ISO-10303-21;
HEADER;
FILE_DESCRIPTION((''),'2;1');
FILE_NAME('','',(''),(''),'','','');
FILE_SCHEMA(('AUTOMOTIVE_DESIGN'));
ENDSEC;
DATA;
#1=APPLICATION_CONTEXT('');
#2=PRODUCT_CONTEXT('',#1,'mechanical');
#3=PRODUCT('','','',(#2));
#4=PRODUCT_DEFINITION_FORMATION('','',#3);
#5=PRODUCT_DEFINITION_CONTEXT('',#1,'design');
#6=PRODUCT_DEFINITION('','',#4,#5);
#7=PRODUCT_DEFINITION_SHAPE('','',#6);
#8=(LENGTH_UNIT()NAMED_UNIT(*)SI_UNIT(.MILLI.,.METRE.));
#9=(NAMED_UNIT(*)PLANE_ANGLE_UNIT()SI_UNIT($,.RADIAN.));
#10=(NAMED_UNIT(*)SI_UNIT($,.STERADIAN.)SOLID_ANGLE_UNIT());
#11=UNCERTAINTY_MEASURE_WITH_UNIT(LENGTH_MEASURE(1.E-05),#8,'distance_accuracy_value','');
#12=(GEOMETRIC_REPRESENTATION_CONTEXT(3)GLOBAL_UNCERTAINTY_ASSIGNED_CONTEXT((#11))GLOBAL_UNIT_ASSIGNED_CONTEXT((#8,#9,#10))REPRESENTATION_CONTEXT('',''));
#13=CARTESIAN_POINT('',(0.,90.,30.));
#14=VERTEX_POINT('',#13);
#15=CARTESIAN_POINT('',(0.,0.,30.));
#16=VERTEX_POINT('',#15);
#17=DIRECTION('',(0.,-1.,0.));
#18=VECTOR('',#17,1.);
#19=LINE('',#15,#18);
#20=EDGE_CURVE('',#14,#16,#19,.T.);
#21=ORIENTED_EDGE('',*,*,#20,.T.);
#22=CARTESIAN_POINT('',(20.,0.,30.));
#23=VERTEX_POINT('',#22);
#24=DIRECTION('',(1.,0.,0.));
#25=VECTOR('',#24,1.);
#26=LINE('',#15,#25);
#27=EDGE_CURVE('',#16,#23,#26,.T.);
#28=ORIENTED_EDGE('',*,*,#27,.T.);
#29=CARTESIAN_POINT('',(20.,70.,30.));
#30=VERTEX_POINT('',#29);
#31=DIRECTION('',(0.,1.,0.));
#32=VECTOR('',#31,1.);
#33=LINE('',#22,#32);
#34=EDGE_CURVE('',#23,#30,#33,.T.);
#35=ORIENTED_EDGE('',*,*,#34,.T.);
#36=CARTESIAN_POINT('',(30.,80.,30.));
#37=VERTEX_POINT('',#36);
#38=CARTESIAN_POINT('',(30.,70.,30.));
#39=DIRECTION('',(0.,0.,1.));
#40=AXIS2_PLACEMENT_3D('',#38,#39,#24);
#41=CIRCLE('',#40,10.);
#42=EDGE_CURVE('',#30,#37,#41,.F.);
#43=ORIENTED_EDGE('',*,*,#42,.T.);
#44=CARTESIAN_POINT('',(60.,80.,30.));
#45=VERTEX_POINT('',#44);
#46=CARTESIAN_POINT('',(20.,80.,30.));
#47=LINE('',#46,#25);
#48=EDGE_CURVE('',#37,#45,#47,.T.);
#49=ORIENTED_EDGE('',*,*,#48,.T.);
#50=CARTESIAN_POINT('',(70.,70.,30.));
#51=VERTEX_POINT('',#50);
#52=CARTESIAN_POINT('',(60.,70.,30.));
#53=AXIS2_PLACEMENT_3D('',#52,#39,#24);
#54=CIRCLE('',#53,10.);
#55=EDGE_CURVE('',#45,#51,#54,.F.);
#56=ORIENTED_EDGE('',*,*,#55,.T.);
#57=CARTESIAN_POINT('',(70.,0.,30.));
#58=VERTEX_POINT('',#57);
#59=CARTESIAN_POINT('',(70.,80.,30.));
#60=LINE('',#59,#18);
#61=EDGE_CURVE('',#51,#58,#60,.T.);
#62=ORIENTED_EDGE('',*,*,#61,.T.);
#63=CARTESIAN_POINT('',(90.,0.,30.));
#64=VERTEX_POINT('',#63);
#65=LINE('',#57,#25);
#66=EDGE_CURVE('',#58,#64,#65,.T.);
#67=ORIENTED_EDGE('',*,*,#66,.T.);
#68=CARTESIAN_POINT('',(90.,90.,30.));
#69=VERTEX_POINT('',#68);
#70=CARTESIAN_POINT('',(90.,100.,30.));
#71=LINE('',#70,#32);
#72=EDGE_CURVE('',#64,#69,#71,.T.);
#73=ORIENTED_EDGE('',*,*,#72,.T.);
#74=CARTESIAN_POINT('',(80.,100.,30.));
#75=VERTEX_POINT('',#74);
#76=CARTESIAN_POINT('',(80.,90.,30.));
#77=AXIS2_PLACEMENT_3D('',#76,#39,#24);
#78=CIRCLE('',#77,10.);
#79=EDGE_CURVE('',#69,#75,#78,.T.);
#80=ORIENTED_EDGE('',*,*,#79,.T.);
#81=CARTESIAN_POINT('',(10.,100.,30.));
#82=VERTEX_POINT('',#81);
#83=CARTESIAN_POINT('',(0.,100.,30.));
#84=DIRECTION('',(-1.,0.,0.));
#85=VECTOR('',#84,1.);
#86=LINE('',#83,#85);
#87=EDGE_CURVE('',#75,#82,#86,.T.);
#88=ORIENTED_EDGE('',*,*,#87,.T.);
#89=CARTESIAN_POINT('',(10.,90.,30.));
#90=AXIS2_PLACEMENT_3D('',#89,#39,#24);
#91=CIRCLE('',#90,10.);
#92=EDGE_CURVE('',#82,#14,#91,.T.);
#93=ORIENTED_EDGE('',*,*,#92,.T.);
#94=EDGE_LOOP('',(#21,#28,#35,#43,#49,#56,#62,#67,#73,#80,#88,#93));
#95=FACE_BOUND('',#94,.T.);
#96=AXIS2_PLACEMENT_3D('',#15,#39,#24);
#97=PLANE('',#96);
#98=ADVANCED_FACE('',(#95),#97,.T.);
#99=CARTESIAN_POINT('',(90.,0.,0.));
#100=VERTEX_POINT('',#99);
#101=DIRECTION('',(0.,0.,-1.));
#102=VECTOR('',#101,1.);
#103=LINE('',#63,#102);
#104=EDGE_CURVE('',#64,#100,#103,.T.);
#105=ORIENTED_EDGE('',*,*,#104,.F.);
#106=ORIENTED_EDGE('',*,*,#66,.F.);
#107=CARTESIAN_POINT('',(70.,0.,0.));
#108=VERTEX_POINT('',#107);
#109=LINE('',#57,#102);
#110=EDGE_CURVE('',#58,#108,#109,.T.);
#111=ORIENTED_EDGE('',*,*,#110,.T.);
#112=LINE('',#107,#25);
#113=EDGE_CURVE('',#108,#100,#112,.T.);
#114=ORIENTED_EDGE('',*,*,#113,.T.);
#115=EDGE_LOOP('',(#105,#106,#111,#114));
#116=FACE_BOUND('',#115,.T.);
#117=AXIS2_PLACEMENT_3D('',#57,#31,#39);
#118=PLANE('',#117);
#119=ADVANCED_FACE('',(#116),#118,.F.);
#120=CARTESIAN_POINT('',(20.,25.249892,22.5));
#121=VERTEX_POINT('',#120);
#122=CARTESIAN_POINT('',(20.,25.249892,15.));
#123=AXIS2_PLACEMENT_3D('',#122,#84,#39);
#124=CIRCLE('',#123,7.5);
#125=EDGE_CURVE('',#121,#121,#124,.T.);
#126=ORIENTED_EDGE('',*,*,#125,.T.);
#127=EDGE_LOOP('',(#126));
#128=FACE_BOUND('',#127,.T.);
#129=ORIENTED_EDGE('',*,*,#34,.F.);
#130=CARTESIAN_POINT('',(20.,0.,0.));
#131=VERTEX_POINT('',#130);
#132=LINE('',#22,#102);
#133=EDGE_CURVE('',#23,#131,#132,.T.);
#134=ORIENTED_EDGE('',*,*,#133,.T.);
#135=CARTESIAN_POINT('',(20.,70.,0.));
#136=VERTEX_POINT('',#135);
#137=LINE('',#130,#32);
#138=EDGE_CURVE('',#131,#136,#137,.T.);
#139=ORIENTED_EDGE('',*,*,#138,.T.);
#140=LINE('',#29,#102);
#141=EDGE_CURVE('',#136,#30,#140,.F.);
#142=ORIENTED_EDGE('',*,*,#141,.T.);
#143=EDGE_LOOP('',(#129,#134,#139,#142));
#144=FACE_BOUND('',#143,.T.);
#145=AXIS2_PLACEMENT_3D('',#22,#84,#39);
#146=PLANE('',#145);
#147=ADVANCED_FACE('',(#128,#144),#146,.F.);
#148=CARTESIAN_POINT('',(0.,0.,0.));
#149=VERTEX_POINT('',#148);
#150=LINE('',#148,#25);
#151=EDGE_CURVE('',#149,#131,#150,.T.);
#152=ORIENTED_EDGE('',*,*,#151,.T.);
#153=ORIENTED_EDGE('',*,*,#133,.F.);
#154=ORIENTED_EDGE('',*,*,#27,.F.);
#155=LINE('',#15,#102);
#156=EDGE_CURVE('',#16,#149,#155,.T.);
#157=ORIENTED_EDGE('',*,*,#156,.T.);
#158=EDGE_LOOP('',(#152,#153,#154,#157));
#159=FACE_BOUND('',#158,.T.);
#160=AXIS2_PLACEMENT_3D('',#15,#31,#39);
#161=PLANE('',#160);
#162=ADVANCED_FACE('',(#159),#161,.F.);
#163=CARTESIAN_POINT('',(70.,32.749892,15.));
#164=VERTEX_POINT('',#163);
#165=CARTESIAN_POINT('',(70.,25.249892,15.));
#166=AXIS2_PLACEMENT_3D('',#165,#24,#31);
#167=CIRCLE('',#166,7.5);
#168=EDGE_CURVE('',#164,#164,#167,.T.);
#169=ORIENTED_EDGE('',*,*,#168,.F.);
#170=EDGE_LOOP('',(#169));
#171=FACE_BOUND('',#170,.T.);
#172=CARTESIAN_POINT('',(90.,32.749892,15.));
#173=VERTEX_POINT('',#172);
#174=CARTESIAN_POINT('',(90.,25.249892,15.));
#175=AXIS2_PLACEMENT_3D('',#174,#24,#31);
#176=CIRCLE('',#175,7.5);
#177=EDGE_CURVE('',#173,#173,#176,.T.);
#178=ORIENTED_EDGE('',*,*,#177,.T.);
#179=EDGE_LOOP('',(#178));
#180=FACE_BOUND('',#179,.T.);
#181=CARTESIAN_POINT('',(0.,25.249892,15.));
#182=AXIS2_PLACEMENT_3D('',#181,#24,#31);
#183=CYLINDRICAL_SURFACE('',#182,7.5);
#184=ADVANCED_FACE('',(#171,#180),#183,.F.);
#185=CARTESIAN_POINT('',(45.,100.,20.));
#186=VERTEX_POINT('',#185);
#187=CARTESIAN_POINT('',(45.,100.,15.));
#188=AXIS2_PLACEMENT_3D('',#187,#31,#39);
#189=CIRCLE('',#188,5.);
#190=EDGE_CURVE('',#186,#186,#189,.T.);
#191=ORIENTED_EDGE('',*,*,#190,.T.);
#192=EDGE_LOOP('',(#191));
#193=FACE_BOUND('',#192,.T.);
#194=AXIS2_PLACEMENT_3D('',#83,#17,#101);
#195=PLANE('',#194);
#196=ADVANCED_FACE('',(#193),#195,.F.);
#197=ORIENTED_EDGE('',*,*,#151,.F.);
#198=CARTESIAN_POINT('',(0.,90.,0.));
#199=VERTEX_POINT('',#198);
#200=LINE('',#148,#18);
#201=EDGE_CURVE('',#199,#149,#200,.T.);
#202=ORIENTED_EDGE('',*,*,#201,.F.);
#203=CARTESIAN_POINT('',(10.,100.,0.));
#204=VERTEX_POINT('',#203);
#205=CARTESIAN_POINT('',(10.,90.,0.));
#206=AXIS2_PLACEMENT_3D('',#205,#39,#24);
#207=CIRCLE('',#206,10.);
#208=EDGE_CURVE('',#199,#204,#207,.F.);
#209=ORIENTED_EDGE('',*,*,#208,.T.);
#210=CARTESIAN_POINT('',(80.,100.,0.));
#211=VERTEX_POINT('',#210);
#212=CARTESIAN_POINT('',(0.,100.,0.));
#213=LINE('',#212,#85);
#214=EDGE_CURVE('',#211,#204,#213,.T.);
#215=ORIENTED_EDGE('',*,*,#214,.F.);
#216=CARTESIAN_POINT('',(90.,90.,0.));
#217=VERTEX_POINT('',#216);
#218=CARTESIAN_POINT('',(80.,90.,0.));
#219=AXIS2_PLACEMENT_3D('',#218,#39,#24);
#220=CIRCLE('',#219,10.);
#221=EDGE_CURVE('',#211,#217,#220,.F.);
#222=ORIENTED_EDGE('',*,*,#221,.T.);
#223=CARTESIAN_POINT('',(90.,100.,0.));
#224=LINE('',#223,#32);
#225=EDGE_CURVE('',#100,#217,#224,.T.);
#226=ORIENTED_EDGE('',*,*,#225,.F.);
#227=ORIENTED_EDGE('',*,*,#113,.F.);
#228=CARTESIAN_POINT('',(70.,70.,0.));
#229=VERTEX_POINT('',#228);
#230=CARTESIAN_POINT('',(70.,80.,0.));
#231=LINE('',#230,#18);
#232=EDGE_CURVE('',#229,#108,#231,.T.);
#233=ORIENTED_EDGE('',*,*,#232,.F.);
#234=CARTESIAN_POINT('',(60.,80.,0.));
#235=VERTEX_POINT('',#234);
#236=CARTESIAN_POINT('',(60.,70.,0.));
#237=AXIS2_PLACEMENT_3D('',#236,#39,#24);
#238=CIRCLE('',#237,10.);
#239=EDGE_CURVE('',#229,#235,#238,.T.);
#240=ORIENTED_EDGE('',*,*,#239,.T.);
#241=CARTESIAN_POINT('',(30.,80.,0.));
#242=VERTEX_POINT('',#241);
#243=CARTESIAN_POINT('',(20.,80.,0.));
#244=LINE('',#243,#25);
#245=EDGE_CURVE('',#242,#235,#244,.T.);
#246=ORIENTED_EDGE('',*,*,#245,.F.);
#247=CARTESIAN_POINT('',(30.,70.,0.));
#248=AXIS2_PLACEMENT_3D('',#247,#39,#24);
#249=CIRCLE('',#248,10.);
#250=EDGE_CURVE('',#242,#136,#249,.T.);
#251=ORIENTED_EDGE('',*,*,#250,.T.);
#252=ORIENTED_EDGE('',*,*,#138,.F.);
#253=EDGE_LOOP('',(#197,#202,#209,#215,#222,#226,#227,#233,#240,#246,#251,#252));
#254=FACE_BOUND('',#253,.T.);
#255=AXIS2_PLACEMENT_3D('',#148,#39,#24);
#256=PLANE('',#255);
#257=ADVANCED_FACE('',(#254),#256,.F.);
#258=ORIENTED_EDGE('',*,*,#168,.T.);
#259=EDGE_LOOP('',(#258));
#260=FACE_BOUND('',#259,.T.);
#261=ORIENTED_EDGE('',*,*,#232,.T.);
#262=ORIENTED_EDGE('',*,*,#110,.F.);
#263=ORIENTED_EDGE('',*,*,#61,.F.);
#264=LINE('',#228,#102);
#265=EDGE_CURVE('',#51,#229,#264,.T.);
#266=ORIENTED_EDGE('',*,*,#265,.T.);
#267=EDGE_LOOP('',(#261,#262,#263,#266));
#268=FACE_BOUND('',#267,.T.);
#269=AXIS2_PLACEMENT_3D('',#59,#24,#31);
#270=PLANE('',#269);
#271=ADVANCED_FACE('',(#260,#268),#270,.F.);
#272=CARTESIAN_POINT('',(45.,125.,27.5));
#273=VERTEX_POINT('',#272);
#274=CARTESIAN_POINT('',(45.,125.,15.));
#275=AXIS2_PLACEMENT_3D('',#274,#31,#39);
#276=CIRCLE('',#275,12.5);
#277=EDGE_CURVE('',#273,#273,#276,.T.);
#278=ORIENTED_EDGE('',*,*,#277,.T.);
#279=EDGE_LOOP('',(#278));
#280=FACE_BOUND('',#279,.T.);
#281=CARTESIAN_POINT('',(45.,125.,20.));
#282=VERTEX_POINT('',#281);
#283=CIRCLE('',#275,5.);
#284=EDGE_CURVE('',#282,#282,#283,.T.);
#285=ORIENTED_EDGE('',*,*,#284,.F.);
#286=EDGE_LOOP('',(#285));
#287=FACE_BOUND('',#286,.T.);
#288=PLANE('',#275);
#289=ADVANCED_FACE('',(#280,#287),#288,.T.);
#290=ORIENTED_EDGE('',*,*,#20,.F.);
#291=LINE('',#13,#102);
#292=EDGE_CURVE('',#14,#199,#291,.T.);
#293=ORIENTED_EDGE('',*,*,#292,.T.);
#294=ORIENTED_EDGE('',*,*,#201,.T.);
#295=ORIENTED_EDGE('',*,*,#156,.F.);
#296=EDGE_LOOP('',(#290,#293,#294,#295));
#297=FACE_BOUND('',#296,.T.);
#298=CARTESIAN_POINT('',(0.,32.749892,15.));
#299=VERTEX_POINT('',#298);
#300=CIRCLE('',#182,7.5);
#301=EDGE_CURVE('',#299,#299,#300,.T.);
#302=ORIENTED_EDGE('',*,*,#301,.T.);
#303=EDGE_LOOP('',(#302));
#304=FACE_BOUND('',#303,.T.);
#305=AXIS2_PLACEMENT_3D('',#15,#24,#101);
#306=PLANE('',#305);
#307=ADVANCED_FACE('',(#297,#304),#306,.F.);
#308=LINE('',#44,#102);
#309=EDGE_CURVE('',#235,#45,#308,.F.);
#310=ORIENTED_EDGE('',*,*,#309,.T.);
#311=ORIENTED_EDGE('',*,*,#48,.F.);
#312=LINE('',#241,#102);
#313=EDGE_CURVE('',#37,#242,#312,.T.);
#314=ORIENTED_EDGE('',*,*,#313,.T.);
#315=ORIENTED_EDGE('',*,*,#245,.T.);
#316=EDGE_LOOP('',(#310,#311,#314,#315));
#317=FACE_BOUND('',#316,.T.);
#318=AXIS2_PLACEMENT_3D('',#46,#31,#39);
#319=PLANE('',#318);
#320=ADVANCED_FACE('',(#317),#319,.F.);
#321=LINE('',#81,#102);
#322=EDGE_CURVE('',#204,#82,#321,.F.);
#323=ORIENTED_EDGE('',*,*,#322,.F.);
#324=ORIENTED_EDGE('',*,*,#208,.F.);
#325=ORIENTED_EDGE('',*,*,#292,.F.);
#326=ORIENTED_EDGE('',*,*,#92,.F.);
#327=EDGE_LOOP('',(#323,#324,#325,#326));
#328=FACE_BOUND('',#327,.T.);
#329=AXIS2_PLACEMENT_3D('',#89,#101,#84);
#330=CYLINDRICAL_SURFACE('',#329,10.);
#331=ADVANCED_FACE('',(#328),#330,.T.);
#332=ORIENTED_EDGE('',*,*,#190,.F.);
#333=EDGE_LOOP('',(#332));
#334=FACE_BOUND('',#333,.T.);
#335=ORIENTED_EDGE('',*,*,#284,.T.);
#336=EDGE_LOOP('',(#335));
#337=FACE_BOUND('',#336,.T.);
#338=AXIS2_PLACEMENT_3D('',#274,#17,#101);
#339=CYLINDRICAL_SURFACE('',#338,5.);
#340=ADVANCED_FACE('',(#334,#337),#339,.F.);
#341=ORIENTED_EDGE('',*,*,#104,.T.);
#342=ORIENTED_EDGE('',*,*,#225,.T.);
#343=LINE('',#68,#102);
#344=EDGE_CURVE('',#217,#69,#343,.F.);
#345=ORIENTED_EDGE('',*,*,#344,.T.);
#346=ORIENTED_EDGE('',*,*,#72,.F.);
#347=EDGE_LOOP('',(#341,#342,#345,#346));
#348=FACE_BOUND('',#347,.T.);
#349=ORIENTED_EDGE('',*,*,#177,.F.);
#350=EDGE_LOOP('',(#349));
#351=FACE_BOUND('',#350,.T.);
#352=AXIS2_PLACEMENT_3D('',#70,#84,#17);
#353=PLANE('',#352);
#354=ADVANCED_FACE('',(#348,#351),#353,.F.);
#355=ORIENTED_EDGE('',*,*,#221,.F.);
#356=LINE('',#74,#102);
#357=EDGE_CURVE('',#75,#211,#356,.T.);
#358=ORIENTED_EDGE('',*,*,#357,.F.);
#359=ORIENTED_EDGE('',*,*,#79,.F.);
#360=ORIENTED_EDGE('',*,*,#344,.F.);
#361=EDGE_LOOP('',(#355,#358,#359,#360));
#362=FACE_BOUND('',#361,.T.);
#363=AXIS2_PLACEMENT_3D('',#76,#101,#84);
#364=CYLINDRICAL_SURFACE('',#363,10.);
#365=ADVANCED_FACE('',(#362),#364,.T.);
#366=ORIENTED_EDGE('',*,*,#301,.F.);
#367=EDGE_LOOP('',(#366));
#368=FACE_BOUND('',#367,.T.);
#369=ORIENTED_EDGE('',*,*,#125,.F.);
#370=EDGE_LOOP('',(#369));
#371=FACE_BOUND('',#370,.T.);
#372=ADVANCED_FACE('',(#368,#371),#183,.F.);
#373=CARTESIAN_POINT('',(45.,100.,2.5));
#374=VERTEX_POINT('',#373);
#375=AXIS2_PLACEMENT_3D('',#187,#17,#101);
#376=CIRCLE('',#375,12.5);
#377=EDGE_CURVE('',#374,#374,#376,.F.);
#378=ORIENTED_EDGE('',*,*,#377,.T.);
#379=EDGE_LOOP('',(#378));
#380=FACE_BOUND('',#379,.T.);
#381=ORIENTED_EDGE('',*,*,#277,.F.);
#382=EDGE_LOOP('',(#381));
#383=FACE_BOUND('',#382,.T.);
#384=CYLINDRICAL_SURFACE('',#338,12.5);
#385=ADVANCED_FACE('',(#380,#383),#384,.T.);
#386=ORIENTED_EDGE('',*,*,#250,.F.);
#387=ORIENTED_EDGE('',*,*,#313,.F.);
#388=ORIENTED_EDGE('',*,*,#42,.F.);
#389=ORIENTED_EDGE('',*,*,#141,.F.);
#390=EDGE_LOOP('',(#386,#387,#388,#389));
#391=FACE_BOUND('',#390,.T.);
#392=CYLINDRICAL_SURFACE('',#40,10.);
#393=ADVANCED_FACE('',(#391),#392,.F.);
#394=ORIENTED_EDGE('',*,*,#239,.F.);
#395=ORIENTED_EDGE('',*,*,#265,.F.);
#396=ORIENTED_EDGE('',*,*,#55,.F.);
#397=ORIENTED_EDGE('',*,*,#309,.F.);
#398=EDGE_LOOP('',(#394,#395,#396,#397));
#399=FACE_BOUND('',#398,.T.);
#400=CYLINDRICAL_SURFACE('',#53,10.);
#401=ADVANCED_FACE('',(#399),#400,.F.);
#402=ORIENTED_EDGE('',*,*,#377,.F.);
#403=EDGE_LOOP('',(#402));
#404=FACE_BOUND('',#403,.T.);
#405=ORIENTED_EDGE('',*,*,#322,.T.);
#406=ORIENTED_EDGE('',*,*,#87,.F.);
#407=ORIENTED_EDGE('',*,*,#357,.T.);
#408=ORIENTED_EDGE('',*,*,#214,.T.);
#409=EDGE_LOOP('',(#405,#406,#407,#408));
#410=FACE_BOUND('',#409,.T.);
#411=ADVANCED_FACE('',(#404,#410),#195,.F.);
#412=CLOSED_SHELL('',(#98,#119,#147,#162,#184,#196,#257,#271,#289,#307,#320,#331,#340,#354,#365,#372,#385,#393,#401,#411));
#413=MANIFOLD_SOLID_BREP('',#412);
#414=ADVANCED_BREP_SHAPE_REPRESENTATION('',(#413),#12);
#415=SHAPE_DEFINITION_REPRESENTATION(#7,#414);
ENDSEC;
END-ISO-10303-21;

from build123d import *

# Parameters (mm, degrees)
BOSS_EXTRUDE1_DEPTH = 30
FILLET1_R           = 10
SKETCH2_R           = 7.5
CUT_EXTRUDE1_DEPTH  = 138.840487521
SKETCH3_R           = 12.5
SKETCH3_R_2         = 5
BOSS_EXTRUDE2_DEPTH = 25


with BuildPart() as part:
    # Sketch1 → Boss-Extrude1 (new body)
    with BuildSketch(Plane.XY):
        Polygon((0, 0), (0, 100), (90, 100), (90, 0), (70, 0), (70, 80), (20, 80), (20, 0), align=None)
    extrude(amount=BOSS_EXTRUDE1_DEPTH)

    # Fillet1
    fillet1_edges = [part.edges().sort_by_distance(p)[0] for p in [
        (0, 100, 15),
        (90, 100, 15),
        (70, 80, 15),
        (20, 80, 15),
    ]]
    fillet(fillet1_edges, radius=FILLET1_R)

    # Sketch2 → Cut-Extrude1 (cut, through all)
    with BuildSketch(Plane(origin=(90, 0, 0), x_dir=(0, 0, -1), z_dir=(1, 0, 0))):
        with Locations(Location((-15, 25.249892163, 0), (0, 0, 90))):
            Circle(SKETCH2_R)
    extrude(amount=-CUT_EXTRUDE1_DEPTH, mode=Mode.SUBTRACT)

    # Sketch3 → Boss-Extrude2 (add)
    with BuildSketch(Plane(origin=(0, 100, 0), x_dir=(1, 0, 0), z_dir=(0, 1, 0))):
        with Locations(Location((45, -15, 0), (0, 0, 90))):
            Circle(SKETCH3_R)
        with Locations(Location((45, -15, 0), (0, 0, 270))):
            Circle(SKETCH3_R_2, mode=Mode.SUBTRACT)
    extrude(amount=BOSS_EXTRUDE2_DEPTH)


solid = part.part
